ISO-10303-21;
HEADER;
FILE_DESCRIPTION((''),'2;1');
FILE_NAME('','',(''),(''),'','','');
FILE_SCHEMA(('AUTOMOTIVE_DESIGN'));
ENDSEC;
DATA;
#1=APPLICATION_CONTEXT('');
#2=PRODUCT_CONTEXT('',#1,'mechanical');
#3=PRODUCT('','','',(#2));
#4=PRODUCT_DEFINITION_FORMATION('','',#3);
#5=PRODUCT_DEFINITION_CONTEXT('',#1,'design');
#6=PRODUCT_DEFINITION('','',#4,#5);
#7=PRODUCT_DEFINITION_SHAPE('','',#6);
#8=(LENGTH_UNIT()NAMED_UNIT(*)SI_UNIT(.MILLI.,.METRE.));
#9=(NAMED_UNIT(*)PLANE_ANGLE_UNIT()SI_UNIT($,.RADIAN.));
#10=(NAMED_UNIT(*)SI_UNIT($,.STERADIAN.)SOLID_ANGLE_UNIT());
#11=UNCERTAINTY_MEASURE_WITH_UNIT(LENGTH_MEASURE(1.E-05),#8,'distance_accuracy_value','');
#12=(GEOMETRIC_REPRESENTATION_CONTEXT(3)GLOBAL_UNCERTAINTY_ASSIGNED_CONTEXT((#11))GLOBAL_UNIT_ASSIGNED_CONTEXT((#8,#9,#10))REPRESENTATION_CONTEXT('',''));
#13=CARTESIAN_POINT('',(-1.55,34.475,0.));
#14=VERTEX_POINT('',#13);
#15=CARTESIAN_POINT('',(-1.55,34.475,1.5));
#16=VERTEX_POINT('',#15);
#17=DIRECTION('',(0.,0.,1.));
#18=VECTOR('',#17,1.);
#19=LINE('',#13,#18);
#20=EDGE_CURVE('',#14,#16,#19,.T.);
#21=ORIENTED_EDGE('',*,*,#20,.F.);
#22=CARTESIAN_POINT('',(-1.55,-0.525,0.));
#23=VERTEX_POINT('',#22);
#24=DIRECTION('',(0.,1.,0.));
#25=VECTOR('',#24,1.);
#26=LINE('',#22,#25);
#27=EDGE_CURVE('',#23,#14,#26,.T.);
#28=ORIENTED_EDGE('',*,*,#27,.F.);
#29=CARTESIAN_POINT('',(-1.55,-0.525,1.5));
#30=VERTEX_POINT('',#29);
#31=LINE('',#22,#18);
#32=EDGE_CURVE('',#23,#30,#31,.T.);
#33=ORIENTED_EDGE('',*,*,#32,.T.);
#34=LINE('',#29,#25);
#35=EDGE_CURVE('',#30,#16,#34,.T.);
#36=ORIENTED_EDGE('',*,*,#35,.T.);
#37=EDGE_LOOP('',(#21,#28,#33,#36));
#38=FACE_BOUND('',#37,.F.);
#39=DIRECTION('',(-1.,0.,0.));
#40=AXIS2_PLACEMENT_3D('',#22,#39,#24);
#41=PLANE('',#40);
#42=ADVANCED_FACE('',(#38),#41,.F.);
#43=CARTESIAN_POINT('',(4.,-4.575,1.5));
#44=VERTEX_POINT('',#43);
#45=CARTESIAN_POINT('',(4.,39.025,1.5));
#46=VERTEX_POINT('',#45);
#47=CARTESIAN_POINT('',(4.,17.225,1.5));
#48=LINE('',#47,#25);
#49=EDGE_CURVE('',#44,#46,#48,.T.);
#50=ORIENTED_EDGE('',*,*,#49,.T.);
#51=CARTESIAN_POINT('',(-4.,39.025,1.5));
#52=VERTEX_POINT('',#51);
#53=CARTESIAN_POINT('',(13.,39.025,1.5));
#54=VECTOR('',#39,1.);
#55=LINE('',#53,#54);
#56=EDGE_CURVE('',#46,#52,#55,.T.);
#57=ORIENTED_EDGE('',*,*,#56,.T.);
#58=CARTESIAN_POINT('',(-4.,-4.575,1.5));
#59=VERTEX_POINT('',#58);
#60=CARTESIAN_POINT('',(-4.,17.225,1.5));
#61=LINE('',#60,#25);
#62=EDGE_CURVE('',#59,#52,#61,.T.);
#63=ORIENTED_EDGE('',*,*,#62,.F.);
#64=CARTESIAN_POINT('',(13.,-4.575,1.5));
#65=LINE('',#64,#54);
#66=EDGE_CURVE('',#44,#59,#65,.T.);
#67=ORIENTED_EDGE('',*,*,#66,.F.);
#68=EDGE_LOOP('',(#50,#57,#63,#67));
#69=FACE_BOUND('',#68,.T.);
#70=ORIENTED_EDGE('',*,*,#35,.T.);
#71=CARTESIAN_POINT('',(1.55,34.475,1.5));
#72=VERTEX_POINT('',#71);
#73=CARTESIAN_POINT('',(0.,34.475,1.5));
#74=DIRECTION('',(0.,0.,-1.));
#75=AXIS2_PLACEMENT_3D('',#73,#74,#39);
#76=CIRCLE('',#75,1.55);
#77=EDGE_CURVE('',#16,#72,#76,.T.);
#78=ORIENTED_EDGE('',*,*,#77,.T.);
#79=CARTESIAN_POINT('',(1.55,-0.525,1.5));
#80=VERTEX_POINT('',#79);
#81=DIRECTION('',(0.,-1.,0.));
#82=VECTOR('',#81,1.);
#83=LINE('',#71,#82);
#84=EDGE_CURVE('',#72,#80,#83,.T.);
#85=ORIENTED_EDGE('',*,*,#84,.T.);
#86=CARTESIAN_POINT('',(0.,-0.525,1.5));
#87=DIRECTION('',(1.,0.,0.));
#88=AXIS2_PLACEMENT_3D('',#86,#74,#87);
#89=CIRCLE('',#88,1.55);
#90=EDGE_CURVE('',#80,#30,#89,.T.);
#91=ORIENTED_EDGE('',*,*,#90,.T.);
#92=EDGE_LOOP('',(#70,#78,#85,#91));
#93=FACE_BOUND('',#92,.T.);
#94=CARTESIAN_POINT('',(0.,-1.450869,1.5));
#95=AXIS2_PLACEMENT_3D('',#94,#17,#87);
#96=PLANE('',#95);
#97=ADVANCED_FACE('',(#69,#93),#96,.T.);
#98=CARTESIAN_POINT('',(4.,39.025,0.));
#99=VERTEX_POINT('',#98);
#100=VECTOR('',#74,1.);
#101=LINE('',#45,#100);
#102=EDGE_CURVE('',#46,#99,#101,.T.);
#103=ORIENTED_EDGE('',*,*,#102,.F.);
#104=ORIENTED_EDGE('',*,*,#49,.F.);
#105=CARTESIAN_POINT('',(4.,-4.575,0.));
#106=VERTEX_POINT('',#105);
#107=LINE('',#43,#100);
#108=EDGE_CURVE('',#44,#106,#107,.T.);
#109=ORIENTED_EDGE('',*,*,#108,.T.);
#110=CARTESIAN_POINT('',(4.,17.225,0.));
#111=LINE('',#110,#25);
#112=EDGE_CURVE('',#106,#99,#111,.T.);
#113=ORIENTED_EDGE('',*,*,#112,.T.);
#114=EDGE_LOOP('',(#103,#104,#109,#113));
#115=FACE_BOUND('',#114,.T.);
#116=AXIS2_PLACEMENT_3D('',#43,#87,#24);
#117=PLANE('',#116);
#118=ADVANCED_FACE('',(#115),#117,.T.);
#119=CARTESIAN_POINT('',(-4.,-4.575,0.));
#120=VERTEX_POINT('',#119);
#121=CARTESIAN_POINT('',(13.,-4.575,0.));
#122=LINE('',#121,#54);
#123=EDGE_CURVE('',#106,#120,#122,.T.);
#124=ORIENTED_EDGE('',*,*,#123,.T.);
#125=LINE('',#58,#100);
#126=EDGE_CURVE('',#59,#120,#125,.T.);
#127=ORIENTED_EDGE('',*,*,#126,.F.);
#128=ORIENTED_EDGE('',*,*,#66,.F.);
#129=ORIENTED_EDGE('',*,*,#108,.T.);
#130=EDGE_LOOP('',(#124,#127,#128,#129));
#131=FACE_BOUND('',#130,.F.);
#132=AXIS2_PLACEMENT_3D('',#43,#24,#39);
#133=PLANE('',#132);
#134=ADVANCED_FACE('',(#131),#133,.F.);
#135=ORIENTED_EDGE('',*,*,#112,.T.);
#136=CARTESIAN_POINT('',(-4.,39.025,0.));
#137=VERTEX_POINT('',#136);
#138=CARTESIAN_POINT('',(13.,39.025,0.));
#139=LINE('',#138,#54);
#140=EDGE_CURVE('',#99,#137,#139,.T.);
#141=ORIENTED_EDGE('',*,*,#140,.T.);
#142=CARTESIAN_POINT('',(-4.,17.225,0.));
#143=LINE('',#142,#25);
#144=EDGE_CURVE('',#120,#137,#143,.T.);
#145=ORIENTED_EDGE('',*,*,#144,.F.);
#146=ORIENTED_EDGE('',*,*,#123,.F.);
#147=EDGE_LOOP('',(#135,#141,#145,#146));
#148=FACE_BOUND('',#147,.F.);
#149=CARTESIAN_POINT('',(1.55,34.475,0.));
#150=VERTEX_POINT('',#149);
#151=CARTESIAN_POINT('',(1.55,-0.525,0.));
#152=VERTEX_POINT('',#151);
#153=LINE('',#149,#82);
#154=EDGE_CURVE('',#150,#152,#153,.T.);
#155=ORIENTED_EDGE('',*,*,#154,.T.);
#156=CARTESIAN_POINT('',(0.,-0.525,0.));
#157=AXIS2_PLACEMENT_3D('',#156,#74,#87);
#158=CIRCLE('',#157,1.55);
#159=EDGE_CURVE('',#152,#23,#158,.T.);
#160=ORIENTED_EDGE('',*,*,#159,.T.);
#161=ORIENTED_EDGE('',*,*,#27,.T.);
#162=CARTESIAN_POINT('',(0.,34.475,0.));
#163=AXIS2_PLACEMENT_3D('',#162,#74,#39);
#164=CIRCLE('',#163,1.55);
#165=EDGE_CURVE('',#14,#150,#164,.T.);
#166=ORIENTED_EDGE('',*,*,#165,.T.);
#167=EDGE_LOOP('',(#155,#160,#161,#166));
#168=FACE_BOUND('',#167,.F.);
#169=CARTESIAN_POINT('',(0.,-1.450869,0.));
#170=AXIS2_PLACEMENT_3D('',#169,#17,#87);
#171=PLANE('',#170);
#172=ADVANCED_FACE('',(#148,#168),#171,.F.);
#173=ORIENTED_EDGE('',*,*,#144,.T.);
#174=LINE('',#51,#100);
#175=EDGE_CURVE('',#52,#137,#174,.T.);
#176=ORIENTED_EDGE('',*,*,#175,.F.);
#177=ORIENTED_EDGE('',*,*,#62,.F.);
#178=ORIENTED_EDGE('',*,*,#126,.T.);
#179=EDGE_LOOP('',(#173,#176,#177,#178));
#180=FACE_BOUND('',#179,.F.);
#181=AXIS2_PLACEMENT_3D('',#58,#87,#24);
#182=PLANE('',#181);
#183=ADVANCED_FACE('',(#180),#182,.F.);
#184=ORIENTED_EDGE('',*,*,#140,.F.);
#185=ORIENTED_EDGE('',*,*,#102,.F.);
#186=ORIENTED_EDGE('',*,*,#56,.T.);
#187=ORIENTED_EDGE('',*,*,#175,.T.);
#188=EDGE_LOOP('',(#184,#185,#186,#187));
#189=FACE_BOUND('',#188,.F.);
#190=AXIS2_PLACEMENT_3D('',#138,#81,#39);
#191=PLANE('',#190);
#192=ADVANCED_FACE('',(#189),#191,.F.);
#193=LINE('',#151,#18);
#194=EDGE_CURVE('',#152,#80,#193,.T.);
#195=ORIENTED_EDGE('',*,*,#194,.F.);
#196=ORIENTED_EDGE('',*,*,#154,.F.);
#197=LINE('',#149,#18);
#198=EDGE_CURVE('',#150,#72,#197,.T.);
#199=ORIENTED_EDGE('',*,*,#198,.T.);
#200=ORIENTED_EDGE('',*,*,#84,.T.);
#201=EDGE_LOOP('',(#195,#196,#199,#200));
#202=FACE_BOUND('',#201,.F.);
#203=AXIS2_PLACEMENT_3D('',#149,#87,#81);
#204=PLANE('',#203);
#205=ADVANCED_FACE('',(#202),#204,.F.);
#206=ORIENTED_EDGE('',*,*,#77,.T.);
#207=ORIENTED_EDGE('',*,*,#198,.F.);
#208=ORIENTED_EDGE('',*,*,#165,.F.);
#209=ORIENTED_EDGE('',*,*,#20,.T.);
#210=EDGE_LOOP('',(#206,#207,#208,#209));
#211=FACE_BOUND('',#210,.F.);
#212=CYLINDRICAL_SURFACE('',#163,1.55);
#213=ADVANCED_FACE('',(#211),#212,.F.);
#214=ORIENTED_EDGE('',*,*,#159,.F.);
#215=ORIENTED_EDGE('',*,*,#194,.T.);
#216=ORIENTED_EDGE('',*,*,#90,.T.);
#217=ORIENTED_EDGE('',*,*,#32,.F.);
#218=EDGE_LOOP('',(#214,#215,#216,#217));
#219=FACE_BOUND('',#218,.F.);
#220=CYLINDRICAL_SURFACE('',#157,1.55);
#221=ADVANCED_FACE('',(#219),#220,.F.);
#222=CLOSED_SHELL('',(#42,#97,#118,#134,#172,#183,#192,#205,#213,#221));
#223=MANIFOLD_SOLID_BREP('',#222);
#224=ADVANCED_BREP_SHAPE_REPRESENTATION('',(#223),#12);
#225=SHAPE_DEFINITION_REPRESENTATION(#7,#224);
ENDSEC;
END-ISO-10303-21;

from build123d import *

# Parameters (mm, degrees)
F0_R     = 1
F0_R_2   = 2
F0_R_3   = 6.25
F1_DEPTH = 1.5
F2_R     = 1
F2_R_2   = 2
F2_R_3   = 6.25
F2_W     = 9
F2_H     = 43.6
F3_DEPTH = 1.5


with BuildPart() as f1:
    # F0 (on Top) → F1 (new body)
    with BuildSketch(Plane.XY):
        with BuildLine():
            Line((13, 39.025), (-13, 39.025))
            Line((-13, 39.025), (-13, -39.025))
            Line((-13, -39.025), (-6.25, -39.025))
            Line((-6.25, -39.025), (-6.25, -36.525))
            ThreePointArc((-6.25, -36.525), (0, -30.275), (6.25, -36.525))
            Line((6.25, -36.525), (6.25, -39.025))
            Line((6.25, -39.025), (13, -39.025))
            Line((13, -39.025), (13, 39.025))
        make_face()
        with Locations((-10.5, -36.525)):
            Circle(F0_R, mode=Mode.SUBTRACT)
        with Locations((-10.5, -15.525)):
            Circle(F0_R, mode=Mode.SUBTRACT)
        with Locations((0, -26.025)):
            Circle(F0_R_2, mode=Mode.SUBTRACT)
        with Locations((10.5, -36.525)):
            Circle(F0_R, mode=Mode.SUBTRACT)
        with Locations((0, -15.525)):
            Circle(F0_R_3, mode=Mode.SUBTRACT)
        with Locations((10.5, -15.525)):
            Circle(F0_R, mode=Mode.SUBTRACT)
        with BuildLine():
            Line((-1.55, -0.525), (-1.55, 34.475))
            ThreePointArc((-1.55, 34.475), (0, 36.025), (1.55, 34.475))
            Line((1.55, 34.475), (1.55, -0.525))
            ThreePointArc((1.55, -0.525), (0, -2.075), (-1.55, -0.525))
        make_face(mode=Mode.SUBTRACT)
    extrude(amount=F1_DEPTH)

    # F2 (on face) → F3 (cut, through all)
    with BuildSketch(Plane.XY.offset(1.5)):
        with BuildLine():
            Line((-13, -4.575), (-13, -39.025))
            Line((-13, -39.025), (-6.25, -39.025))
            Line((-6.25, -39.025), (-6.25, -36.525))
            ThreePointArc((-6.25, -36.525), (0, -30.275), (6.25, -36.525))
            Line((6.25, -36.525), (6.25, -39.025))
            Line((6.25, -39.025), (13, -39.025))
            Line((13, -39.025), (13, -4.575))
            Line((13, -4.575), (4, -4.575))
            Line((4, -4.575), (-4, -4.575))
            Line((-4, -4.575), (-13, -4.575))
        make_face()
        with Locations((-10.5, -36.525)):
            Circle(F2_R, mode=Mode.SUBTRACT)
        with Locations((-10.5, -15.525)):
            Circle(F2_R, mode=Mode.SUBTRACT)
        with Locations((0, -26.025)):
            Circle(F2_R_2, mode=Mode.SUBTRACT)
        with Locations((10.5, -36.525)):
            Circle(F2_R, mode=Mode.SUBTRACT)
        with Locations((0, -15.525)):
            Circle(F2_R_3, mode=Mode.SUBTRACT)
        with Locations((10.5, -15.525)):
            Circle(F2_R, mode=Mode.SUBTRACT)
        with Locations((-8.5, 17.225)):
            Rectangle(F2_W, F2_H)
        with Locations((8.5, 17.225)):
            Rectangle(F2_W, F2_H)
    extrude(amount=-F3_DEPTH, mode=Mode.SUBTRACT)


solid = f1.part
